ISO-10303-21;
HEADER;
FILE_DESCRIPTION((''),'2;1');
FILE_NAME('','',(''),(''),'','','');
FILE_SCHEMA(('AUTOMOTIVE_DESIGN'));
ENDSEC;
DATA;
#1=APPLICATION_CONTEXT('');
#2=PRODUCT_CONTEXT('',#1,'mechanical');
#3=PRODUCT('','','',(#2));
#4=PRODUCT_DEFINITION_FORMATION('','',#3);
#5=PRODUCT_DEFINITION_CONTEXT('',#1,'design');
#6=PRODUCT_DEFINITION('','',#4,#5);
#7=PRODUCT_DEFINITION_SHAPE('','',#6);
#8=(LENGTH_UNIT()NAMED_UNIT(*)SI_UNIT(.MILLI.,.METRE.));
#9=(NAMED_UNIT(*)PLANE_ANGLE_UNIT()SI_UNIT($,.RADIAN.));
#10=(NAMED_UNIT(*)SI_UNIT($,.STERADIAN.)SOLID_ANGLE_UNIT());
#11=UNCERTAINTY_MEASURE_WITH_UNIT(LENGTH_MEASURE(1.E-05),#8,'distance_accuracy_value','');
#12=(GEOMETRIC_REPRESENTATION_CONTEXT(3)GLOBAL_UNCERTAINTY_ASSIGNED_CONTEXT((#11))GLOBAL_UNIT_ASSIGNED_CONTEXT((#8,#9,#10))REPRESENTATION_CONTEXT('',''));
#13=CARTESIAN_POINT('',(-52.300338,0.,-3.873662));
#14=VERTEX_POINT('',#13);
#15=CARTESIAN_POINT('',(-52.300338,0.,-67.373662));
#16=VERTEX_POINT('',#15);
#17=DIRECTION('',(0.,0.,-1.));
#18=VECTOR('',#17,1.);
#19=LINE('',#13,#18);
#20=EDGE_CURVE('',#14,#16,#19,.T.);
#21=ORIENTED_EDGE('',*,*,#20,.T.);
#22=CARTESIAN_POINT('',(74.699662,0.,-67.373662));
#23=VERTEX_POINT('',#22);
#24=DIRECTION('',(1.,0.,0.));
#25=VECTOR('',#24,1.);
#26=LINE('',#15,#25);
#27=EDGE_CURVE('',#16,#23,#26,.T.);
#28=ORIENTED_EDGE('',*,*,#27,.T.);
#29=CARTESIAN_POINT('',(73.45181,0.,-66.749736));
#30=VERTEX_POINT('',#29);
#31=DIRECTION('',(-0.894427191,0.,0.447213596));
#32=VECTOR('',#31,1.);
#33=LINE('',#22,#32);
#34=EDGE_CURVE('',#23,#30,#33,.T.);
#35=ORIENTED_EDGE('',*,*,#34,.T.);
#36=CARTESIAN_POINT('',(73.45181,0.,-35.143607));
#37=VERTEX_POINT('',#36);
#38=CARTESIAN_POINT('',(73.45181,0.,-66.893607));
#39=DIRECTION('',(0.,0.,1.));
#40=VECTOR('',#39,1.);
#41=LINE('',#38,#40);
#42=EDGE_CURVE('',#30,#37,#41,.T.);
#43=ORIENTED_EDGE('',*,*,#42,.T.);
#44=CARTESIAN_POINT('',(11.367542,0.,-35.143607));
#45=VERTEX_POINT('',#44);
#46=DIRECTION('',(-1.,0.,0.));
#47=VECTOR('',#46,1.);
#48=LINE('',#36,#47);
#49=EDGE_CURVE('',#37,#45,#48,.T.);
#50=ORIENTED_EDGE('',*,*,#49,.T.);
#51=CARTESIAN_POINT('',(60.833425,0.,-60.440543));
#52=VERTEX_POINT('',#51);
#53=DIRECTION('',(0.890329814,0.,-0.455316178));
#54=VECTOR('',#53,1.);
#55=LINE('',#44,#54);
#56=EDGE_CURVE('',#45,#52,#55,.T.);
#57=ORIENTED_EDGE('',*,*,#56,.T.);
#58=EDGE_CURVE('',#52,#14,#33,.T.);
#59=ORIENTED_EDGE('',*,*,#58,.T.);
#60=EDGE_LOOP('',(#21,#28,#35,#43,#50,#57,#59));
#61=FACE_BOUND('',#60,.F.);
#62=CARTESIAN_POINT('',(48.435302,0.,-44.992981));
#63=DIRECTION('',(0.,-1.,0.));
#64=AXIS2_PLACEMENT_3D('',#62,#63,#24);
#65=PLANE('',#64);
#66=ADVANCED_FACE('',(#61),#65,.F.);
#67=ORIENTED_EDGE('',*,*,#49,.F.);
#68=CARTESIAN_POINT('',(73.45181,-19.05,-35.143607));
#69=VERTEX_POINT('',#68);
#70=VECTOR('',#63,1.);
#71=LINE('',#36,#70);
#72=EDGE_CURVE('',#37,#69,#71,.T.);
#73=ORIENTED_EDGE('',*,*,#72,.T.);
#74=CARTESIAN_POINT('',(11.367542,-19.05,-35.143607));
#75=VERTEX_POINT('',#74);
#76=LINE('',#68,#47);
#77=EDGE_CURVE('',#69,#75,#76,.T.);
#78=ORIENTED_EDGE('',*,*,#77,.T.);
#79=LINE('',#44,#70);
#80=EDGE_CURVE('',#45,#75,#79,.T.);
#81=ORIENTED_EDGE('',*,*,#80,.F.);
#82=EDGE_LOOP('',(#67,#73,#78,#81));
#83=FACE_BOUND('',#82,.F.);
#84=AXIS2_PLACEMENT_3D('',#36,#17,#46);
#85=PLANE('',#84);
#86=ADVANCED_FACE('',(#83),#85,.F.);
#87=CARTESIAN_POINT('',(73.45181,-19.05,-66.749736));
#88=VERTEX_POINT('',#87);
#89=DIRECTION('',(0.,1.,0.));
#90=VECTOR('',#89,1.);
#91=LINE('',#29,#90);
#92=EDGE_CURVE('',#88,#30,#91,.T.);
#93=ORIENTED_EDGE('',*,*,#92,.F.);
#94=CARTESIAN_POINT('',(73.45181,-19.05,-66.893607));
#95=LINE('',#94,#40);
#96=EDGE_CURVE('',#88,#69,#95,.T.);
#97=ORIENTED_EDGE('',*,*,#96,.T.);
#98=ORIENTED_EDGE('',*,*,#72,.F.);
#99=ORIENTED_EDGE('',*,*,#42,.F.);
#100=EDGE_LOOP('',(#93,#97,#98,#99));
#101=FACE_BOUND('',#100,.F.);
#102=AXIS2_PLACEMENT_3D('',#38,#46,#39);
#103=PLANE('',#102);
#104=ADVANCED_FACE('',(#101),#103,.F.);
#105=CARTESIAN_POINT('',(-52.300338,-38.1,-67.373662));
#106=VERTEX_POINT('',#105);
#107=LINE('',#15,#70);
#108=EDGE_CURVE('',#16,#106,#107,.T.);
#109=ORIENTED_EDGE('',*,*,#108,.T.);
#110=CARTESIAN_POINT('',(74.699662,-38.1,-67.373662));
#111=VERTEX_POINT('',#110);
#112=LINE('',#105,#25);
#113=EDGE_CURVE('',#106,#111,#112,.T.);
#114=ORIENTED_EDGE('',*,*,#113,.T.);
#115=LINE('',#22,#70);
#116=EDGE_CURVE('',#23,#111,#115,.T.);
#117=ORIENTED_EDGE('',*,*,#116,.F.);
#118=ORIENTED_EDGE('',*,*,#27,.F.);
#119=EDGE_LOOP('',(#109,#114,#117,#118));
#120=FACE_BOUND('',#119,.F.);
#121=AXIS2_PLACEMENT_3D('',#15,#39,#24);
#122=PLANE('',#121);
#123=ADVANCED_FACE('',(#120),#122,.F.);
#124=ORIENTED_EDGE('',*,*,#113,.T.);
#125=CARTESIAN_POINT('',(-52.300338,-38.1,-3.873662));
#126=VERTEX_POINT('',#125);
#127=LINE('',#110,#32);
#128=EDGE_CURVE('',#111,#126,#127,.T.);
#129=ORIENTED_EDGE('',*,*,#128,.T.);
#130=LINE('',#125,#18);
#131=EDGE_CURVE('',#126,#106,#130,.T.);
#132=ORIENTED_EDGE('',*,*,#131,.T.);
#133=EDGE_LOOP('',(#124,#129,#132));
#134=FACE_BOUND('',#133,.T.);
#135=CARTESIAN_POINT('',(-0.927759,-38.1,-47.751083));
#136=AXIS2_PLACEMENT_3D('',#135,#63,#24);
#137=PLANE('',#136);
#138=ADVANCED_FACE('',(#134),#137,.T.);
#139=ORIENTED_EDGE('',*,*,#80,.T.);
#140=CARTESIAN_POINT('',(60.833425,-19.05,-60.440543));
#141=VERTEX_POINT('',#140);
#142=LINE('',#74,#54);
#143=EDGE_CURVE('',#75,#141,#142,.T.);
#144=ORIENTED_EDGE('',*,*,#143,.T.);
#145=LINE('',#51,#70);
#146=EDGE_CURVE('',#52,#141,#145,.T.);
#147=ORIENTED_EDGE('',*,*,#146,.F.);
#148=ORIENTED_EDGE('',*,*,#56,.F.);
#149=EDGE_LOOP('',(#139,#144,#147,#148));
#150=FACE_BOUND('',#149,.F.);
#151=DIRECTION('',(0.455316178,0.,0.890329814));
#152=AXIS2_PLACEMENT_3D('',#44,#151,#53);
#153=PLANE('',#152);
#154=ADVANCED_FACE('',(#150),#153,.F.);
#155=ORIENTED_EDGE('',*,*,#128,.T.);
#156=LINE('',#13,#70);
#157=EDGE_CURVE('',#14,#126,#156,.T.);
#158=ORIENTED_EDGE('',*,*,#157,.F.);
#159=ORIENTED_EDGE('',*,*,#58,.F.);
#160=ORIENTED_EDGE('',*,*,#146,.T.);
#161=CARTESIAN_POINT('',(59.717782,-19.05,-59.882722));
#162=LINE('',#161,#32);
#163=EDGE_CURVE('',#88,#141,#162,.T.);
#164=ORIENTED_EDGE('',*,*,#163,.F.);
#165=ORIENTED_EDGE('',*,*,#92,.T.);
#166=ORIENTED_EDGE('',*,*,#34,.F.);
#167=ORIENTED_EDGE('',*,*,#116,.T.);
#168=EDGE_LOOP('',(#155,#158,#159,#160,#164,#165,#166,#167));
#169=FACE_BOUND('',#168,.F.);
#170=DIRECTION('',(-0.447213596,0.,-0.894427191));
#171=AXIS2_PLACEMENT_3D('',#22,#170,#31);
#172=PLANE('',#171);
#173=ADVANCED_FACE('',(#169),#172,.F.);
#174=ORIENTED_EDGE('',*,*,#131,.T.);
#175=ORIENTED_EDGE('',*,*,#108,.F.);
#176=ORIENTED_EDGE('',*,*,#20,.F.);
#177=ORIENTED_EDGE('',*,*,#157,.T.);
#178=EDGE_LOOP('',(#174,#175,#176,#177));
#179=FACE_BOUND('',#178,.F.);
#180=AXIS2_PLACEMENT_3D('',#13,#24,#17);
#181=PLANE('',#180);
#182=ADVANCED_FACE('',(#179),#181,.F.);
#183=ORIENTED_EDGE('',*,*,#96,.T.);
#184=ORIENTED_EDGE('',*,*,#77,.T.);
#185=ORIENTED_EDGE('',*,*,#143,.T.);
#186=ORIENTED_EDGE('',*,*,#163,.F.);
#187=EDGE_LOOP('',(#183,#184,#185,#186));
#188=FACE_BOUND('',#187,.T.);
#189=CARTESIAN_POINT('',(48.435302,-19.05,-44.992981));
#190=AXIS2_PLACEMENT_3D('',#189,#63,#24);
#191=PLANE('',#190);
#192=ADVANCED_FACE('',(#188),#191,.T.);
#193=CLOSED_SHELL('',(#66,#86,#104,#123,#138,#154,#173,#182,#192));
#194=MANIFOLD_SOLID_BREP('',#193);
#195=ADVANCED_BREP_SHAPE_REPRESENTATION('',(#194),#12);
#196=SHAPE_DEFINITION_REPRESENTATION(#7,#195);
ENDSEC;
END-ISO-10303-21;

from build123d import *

# Parameters (mm, degrees)
F1_DEPTH = 38.1
F3_DEPTH = 19.05


with BuildPart() as f1:
    # F0 (on Front) → F1 (new body)
    with BuildSketch(Plane.XZ):
        Polygon((-52.300338, -3.873662), (-52.300338, -67.373662), (74.699662, -67.373662), align=None)
    extrude(amount=F1_DEPTH)

    # F2 (on Front) → F3 (join)
    with BuildSketch(Plane.XZ):
        Polygon((11.367542, -35.143607), (73.45181, -66.893607), (73.45181, -35.143607), align=None)
    extrude(amount=F3_DEPTH)


solid = f1.part
